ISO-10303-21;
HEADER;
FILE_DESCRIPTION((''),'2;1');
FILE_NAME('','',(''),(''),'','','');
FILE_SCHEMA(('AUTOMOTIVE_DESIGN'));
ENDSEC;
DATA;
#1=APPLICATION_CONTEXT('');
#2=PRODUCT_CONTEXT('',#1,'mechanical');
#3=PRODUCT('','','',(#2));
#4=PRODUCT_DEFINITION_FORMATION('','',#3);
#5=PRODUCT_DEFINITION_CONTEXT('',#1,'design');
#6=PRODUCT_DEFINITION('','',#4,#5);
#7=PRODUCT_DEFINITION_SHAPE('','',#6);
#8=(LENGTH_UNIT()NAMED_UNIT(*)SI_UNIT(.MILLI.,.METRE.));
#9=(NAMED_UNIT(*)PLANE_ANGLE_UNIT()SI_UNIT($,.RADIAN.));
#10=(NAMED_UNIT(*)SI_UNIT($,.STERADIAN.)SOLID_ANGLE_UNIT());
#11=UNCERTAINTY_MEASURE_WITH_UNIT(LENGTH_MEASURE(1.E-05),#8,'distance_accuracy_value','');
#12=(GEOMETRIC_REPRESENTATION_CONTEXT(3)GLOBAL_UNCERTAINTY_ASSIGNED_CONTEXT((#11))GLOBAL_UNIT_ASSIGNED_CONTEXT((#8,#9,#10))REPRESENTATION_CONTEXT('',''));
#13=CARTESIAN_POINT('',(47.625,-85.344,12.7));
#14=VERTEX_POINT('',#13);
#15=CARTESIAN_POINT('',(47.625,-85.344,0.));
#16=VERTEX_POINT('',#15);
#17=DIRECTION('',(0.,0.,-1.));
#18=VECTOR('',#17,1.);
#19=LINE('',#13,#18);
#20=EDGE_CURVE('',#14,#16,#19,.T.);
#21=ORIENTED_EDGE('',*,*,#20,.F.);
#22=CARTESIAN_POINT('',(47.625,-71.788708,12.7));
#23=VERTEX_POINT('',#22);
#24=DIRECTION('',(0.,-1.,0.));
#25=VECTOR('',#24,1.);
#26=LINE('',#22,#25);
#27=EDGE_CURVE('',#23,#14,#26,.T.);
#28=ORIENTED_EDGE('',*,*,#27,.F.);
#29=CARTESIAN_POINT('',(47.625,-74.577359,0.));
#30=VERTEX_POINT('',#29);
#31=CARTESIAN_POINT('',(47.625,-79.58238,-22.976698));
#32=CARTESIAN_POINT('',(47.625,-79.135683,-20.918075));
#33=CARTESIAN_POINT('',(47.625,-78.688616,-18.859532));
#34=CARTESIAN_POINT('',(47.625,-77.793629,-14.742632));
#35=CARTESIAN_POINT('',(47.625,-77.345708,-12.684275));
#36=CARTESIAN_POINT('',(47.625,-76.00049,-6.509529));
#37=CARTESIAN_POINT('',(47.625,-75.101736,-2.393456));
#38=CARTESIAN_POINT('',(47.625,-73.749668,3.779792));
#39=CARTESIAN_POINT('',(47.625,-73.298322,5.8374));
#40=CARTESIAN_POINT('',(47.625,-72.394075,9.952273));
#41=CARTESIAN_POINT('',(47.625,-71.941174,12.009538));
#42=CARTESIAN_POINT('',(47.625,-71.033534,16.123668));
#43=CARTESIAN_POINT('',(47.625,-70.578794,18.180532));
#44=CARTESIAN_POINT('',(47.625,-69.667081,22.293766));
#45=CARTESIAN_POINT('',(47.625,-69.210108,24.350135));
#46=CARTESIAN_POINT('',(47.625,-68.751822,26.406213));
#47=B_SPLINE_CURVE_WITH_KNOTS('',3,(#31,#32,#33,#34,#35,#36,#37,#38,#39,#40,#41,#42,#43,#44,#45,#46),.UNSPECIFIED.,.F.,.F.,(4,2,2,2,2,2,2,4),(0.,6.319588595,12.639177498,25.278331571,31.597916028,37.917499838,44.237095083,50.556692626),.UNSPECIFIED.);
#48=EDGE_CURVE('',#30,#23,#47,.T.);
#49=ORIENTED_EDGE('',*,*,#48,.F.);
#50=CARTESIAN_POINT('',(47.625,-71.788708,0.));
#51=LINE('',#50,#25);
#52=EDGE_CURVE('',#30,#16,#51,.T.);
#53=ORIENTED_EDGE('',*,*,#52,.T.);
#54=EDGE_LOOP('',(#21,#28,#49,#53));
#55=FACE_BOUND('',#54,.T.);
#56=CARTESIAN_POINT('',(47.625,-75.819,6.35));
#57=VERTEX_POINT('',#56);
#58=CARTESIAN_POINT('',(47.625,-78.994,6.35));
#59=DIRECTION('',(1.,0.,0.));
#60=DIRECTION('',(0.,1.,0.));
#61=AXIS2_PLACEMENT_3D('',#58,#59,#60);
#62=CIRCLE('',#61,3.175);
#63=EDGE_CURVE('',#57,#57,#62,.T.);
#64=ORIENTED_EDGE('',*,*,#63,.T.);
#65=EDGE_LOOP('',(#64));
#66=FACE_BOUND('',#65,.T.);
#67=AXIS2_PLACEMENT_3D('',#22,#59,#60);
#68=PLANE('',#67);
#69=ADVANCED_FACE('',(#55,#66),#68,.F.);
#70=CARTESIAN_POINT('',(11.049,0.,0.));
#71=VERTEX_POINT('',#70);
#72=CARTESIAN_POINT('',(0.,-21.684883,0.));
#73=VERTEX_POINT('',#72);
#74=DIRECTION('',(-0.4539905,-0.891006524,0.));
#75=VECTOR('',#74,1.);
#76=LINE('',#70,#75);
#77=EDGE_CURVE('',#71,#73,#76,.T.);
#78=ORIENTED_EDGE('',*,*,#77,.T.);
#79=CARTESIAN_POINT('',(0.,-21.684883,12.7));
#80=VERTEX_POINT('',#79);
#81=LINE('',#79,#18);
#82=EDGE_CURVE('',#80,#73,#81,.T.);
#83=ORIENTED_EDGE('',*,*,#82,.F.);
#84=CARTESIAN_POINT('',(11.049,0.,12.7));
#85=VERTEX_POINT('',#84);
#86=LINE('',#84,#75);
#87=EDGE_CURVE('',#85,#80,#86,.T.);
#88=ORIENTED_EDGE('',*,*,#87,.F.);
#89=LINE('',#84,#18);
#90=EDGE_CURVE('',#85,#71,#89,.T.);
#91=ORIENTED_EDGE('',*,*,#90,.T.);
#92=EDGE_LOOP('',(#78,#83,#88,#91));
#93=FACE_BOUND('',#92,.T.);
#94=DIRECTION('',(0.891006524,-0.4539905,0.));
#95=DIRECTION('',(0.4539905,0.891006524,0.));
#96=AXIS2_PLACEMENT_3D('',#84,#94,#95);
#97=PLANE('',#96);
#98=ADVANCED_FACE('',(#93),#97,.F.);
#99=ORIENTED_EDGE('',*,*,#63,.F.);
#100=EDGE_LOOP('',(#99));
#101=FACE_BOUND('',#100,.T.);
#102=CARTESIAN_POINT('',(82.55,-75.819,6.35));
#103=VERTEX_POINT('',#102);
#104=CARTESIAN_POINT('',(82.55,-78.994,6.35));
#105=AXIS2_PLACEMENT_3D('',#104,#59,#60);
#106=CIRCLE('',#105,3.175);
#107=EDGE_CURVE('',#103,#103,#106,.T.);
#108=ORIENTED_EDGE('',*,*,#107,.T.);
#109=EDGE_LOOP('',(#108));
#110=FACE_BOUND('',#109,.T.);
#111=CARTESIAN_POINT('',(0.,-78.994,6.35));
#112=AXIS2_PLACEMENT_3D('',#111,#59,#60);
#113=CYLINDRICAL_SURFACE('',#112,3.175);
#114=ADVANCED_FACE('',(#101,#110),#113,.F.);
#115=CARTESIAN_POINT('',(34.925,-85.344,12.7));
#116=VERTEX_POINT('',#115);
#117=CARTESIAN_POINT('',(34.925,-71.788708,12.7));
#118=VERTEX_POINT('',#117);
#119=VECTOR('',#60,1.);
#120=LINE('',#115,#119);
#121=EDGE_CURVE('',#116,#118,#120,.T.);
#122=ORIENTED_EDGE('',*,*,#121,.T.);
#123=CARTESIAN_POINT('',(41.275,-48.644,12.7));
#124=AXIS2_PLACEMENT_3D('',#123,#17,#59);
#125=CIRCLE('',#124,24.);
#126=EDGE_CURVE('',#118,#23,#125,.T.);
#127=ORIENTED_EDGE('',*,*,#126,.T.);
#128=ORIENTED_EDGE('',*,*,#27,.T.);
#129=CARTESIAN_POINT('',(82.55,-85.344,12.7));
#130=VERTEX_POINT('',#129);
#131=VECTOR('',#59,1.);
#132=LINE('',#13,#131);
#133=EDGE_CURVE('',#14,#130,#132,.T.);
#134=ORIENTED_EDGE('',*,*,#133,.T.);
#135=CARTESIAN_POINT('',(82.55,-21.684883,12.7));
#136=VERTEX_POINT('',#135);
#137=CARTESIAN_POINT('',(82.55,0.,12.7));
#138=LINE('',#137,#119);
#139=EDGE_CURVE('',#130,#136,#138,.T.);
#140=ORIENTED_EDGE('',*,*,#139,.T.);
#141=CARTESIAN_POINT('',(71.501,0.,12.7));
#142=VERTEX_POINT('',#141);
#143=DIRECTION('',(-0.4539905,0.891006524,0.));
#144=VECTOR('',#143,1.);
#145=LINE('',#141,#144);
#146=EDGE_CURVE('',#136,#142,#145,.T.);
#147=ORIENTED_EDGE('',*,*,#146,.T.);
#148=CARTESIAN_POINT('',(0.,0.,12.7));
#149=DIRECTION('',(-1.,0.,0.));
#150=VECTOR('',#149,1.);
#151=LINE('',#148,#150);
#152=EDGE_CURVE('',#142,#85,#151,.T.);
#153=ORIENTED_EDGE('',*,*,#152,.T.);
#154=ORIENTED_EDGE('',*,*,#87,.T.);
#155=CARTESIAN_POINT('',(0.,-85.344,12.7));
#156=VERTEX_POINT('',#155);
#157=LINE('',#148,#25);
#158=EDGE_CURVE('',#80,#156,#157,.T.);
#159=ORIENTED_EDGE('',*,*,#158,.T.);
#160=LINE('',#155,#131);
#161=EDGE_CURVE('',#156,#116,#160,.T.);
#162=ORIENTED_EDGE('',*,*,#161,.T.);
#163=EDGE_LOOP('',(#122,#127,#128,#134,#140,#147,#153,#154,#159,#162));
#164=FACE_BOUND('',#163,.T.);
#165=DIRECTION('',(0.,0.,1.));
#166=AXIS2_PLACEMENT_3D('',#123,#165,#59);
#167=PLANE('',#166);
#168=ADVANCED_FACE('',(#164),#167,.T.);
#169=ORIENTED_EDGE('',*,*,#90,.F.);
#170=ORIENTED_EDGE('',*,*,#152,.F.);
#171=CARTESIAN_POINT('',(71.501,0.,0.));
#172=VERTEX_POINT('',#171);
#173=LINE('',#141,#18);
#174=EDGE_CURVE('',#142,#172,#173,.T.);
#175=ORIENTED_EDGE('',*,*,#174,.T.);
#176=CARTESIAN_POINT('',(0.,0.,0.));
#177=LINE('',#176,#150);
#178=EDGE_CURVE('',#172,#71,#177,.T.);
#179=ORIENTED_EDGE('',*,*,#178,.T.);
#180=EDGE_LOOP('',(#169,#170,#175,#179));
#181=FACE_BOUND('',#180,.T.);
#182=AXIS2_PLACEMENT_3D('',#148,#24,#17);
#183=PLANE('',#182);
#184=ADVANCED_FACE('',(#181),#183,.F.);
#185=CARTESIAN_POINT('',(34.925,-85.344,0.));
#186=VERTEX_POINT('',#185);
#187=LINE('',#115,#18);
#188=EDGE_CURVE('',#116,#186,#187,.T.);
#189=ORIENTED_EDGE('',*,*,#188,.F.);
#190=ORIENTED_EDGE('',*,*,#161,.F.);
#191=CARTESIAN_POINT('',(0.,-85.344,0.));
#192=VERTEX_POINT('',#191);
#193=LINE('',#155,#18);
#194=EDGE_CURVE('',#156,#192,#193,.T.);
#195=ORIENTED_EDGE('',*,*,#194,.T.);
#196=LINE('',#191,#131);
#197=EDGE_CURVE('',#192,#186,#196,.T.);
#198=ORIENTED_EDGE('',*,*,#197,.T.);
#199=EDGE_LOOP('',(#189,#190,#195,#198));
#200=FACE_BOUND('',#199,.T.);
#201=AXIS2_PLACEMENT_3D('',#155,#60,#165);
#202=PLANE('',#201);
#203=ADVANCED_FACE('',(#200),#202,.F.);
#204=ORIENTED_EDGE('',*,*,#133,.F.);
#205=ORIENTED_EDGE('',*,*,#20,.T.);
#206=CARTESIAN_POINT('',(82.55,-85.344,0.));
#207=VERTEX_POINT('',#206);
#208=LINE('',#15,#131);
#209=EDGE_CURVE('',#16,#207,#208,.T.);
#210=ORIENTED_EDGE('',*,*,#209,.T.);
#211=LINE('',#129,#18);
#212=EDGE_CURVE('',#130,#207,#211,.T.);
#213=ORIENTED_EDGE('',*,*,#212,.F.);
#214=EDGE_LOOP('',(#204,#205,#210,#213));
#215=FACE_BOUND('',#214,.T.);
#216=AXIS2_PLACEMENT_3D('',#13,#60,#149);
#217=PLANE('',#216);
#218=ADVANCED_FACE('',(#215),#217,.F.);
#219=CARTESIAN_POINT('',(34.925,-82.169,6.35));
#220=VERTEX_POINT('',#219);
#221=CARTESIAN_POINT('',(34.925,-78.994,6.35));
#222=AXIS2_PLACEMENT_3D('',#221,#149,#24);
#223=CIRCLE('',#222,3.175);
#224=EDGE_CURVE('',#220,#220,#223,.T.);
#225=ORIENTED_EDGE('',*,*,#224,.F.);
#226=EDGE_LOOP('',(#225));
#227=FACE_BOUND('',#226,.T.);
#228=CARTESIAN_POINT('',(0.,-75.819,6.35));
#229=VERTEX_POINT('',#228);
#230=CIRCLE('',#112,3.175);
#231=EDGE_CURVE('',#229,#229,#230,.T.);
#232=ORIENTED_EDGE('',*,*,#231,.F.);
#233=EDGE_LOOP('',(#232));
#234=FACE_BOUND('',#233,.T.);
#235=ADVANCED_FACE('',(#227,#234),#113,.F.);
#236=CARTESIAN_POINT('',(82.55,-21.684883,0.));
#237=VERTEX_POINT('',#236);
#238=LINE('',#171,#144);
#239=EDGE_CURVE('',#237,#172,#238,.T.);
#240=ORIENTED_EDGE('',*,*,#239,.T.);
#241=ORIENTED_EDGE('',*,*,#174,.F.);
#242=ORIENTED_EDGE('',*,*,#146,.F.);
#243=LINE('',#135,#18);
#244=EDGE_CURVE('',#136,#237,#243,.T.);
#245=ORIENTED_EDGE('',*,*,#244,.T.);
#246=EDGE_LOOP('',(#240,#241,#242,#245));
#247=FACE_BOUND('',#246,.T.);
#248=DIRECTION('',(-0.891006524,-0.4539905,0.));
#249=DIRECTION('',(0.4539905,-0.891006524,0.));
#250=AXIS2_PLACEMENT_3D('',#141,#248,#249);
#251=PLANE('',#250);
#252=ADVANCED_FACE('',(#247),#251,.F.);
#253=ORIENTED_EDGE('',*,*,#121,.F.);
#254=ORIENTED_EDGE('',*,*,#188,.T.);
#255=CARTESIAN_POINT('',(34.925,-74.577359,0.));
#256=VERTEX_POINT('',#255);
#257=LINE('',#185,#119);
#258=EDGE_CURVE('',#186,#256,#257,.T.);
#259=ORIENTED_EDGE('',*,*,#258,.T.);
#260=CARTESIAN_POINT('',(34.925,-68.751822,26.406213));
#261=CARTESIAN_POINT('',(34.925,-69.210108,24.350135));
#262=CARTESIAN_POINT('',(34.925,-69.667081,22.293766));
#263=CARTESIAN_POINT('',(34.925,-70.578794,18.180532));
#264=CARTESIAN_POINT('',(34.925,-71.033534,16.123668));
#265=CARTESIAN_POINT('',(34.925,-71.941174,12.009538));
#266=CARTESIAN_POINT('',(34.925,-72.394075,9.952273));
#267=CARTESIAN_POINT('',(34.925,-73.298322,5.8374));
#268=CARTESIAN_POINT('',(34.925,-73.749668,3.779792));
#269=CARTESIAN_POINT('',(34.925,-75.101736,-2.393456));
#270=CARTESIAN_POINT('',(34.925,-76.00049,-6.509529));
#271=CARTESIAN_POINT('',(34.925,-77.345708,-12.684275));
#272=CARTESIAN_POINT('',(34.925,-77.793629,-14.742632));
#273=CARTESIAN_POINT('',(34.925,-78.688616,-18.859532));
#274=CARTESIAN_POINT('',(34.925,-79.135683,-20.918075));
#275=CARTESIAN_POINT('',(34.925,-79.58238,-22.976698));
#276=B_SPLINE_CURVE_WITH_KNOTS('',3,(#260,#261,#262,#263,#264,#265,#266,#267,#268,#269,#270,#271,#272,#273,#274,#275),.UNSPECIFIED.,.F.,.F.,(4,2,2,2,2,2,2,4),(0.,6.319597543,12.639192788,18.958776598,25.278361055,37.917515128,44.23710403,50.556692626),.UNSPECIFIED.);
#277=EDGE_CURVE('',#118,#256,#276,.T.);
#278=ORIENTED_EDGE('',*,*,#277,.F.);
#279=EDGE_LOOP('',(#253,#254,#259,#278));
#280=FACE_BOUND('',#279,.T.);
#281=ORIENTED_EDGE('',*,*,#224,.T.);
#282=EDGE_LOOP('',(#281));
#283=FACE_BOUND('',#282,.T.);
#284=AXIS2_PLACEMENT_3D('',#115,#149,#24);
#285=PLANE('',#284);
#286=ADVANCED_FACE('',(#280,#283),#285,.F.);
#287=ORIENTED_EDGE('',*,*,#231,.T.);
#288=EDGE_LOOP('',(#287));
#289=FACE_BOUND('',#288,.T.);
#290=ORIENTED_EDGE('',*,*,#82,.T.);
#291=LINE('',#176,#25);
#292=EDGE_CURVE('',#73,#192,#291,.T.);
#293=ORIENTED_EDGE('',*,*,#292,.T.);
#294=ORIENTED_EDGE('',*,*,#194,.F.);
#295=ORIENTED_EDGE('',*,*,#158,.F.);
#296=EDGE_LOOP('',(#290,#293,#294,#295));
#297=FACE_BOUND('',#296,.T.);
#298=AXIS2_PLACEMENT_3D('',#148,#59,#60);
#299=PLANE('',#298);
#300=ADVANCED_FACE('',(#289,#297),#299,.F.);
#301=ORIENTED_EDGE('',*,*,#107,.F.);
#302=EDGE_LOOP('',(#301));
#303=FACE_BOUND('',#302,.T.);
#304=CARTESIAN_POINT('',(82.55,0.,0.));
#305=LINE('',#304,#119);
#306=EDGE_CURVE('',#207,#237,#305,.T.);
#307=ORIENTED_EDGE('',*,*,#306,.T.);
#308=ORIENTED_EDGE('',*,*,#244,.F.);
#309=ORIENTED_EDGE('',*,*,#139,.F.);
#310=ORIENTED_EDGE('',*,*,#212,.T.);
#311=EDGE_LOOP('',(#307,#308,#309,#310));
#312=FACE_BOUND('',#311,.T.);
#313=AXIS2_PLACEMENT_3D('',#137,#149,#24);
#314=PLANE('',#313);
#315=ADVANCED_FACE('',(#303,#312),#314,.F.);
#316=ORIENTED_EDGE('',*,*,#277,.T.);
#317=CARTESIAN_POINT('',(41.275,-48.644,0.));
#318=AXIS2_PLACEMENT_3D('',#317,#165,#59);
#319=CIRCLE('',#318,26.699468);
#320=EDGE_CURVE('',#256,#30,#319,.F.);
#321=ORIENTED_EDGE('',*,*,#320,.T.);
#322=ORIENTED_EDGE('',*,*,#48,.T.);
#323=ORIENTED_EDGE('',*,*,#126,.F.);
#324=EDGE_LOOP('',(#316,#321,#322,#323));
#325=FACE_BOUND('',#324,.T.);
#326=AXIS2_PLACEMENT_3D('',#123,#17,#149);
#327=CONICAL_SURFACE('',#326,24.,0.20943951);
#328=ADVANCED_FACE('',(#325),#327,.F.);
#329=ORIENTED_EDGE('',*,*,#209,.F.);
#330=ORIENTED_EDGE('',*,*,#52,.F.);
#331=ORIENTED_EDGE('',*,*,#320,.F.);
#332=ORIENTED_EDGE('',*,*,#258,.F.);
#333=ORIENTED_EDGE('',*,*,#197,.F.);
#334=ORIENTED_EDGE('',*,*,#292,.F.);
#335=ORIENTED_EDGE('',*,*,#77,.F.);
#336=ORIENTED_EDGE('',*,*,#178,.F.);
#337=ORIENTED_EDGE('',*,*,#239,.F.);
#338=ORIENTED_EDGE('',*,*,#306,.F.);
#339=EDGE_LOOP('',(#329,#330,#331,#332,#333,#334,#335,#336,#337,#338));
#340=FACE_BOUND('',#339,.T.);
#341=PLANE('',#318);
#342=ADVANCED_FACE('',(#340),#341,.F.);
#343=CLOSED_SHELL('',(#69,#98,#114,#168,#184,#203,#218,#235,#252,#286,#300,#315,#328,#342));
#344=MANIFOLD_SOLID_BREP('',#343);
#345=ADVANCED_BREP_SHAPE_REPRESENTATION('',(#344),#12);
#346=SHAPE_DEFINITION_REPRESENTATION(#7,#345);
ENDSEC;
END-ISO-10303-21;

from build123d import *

# Parameters (mm, degrees)
BOSS_EXTRU_1_DEPTH      = 12.7
ESQUISSE2_R             = 3.175
ENL_V_MAT_EXTRU_1_DEPTH = 120.412691269
ENL_V_MAT_EXTRU_2_DEPTH = 120.412691269


with BuildPart() as part:
    # Esquisse1 → Boss.-Extru.1 (new body)
    with BuildSketch(Plane.XY):
        with BuildLine():
            Line((34.925, -85.344), (34.925, -71.788707818))
            ThreePointArc((34.925, -71.788707818), (41.275, -24.644), (47.625, -71.788707818))
            Line((47.625, -71.788707818), (47.625, -85.344))
            Line((47.625, -85.344), (82.55, -85.344))
            Line((82.55, -85.344), (82.55, 0))
            Line((82.55, 0), (0, 0))
            Line((0, 0), (0, -85.344))
            Line((0, -85.344), (34.925, -85.344))
        make_face()
    extrude(amount=BOSS_EXTRU_1_DEPTH)

    # Esquisse2 → Enlèv. mat.-Extru.1 (cut, through all)
    with BuildSketch(Plane(origin=(82.55, 0, 0), x_dir=(0, 0, -1), z_dir=(1, 0, 0))):
        with Locations(Location((-6.35, -78.994, 0), (0, 0, 90))):
            Circle(ESQUISSE2_R)
    extrude(amount=-ENL_V_MAT_EXTRU_1_DEPTH, mode=Mode.SUBTRACT)

    # Esquisse4 → Enlèvement de matière-Révolution1 (revolve, cut)
    with BuildSketch(Plane.XZ.offset(48.644)):
        Polygon((17.275, 12.7), (14.533802376, -0.19632088), (34.925, -0.19632088), (34.925, 12.7), align=None)
    revolve(axis=Axis((41.275, -48.644, 0), (0, 0, 1)), mode=Mode.SUBTRACT)

    # Esquisse5 → Enlèv. mat.-Extru.2 (cut, through all)
    with BuildSketch(Plane(origin=(0, 0, 0), x_dir=(-1, 0, 0), z_dir=(0, 0, -1))):
        Polygon((-71.501, 0), (-82.55, -21.684883475), (-82.55, 0), align=None)
        Polygon((-11.049, 0), (0, -21.684883475), (0, 0), align=None)
    extrude(amount=-ENL_V_MAT_EXTRU_2_DEPTH, mode=Mode.SUBTRACT)


solid = part.part
